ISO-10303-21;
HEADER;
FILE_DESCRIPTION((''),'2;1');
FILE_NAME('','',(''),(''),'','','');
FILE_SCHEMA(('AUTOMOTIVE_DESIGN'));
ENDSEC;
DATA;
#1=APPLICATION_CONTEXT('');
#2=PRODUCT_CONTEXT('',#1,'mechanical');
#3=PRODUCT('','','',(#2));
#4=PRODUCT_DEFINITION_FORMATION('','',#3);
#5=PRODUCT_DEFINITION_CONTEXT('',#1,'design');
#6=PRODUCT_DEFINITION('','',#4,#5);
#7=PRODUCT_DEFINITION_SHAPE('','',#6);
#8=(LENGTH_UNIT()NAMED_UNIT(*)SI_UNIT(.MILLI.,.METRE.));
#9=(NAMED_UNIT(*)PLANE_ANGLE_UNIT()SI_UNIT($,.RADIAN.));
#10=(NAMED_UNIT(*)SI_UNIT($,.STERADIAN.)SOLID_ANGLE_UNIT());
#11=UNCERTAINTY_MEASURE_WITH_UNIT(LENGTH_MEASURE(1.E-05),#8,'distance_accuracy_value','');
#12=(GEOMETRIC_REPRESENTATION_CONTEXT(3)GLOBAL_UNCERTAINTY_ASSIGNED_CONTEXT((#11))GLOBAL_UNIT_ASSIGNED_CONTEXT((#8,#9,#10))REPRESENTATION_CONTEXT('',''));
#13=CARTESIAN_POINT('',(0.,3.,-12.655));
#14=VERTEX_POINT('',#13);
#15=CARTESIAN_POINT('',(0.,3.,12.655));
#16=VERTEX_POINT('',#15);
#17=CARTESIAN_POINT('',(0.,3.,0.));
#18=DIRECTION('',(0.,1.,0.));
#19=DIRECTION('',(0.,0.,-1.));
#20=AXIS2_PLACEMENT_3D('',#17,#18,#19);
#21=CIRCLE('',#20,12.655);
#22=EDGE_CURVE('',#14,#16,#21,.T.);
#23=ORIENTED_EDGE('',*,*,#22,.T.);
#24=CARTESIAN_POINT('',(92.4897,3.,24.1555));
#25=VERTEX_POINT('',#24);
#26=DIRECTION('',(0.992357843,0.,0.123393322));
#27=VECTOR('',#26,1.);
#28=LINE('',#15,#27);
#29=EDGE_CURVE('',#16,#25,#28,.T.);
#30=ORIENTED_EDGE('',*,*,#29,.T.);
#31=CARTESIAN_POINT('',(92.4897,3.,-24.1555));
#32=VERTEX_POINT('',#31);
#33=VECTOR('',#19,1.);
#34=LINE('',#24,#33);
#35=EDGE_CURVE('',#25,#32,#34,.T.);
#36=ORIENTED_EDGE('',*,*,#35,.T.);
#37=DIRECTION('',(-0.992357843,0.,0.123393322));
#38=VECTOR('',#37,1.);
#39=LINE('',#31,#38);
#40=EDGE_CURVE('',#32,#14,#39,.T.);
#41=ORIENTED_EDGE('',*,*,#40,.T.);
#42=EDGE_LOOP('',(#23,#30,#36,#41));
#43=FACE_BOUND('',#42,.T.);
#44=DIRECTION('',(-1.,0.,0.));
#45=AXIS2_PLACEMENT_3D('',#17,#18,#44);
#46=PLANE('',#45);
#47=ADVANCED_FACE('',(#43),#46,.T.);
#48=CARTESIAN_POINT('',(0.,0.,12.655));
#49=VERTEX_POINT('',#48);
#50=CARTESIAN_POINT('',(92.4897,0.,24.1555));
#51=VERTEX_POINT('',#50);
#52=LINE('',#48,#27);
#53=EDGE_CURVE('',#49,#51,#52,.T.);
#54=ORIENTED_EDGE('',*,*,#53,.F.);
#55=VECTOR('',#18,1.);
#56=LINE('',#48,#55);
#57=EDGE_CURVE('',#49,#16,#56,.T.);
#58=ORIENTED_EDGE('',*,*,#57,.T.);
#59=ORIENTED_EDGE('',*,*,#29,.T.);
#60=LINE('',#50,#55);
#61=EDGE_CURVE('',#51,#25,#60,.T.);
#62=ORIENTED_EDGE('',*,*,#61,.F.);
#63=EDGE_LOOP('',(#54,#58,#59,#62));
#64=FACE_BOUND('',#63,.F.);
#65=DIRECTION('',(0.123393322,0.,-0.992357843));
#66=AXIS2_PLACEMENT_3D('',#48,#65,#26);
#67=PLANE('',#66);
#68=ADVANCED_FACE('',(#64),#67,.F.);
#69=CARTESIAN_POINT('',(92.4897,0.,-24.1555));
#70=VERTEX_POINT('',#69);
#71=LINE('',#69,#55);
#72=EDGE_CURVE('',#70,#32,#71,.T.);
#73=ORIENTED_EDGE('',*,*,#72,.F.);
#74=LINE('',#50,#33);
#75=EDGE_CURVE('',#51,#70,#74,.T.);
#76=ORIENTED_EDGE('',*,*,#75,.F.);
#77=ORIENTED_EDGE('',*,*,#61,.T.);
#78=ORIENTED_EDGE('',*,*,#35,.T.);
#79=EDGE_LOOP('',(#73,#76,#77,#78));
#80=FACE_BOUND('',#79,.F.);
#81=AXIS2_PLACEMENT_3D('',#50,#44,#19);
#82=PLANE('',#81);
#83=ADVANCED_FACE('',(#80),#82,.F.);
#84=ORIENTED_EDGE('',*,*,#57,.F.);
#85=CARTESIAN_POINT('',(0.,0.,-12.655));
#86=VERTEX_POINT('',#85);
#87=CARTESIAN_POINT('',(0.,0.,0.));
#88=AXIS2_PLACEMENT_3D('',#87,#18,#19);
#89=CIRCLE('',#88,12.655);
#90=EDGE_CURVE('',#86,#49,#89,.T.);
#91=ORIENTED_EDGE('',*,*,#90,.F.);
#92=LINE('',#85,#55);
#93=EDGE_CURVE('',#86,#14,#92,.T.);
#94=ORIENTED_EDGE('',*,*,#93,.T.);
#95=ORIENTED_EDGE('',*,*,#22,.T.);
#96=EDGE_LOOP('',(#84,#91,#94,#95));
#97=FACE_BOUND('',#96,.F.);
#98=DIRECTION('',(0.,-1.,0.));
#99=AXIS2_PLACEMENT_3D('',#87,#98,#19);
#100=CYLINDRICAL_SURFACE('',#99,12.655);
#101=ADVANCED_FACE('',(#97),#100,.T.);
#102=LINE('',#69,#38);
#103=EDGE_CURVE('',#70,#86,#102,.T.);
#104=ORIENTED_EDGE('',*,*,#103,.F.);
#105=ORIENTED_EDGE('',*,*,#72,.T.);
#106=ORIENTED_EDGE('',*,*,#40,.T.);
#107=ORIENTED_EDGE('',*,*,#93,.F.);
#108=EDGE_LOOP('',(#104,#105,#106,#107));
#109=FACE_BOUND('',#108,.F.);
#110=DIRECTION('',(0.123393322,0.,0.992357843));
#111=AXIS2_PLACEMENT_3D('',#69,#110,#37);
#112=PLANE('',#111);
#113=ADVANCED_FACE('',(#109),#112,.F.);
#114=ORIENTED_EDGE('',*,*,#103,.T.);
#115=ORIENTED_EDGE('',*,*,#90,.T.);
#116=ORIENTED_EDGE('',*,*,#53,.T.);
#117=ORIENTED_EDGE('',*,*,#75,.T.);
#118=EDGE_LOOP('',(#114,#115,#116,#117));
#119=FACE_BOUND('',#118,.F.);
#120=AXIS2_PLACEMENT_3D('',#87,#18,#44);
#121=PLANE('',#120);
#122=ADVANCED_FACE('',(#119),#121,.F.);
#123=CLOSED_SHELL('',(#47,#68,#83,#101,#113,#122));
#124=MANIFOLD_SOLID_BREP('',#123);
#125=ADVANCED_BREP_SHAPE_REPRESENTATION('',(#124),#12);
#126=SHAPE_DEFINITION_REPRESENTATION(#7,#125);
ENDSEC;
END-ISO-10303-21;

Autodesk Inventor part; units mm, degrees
ref_plane "YZ Plane" through (0, 0, 0) normal (1, 0, 0) x (0, 1, 0)
ref_plane "XZ Plane" through (0, 0, 0) normal (0, 1, 0) x (-1, 0, 0)
ref_plane "XY Plane" through (0, 0, 0) normal (0, 0, 1) x (1, 0, 0)
sketch "Sketch1" plane through (0, 0, 0) normal (0, 1, 0) x (-1, 0, 0)
  line L0 (0, 12.655) -> (-92.4897, 24.1555)
  line L1 (-92.4897, 24.1555) -> (-92.4897, -24.1555)
  line L2 (-92.4897, -24.1555) -> (0, -12.655)
  arc A0 (0, -12.655) -> (0, 12.655) centre (0, 0) ccw
  line L3 (-113.5186, 0) -> (33.6839, 0) construction
extrude "Extrusion1" add sketch "Sketch1" along normal blind 3
properties part number "Headlight_Mounting_Bracket"
